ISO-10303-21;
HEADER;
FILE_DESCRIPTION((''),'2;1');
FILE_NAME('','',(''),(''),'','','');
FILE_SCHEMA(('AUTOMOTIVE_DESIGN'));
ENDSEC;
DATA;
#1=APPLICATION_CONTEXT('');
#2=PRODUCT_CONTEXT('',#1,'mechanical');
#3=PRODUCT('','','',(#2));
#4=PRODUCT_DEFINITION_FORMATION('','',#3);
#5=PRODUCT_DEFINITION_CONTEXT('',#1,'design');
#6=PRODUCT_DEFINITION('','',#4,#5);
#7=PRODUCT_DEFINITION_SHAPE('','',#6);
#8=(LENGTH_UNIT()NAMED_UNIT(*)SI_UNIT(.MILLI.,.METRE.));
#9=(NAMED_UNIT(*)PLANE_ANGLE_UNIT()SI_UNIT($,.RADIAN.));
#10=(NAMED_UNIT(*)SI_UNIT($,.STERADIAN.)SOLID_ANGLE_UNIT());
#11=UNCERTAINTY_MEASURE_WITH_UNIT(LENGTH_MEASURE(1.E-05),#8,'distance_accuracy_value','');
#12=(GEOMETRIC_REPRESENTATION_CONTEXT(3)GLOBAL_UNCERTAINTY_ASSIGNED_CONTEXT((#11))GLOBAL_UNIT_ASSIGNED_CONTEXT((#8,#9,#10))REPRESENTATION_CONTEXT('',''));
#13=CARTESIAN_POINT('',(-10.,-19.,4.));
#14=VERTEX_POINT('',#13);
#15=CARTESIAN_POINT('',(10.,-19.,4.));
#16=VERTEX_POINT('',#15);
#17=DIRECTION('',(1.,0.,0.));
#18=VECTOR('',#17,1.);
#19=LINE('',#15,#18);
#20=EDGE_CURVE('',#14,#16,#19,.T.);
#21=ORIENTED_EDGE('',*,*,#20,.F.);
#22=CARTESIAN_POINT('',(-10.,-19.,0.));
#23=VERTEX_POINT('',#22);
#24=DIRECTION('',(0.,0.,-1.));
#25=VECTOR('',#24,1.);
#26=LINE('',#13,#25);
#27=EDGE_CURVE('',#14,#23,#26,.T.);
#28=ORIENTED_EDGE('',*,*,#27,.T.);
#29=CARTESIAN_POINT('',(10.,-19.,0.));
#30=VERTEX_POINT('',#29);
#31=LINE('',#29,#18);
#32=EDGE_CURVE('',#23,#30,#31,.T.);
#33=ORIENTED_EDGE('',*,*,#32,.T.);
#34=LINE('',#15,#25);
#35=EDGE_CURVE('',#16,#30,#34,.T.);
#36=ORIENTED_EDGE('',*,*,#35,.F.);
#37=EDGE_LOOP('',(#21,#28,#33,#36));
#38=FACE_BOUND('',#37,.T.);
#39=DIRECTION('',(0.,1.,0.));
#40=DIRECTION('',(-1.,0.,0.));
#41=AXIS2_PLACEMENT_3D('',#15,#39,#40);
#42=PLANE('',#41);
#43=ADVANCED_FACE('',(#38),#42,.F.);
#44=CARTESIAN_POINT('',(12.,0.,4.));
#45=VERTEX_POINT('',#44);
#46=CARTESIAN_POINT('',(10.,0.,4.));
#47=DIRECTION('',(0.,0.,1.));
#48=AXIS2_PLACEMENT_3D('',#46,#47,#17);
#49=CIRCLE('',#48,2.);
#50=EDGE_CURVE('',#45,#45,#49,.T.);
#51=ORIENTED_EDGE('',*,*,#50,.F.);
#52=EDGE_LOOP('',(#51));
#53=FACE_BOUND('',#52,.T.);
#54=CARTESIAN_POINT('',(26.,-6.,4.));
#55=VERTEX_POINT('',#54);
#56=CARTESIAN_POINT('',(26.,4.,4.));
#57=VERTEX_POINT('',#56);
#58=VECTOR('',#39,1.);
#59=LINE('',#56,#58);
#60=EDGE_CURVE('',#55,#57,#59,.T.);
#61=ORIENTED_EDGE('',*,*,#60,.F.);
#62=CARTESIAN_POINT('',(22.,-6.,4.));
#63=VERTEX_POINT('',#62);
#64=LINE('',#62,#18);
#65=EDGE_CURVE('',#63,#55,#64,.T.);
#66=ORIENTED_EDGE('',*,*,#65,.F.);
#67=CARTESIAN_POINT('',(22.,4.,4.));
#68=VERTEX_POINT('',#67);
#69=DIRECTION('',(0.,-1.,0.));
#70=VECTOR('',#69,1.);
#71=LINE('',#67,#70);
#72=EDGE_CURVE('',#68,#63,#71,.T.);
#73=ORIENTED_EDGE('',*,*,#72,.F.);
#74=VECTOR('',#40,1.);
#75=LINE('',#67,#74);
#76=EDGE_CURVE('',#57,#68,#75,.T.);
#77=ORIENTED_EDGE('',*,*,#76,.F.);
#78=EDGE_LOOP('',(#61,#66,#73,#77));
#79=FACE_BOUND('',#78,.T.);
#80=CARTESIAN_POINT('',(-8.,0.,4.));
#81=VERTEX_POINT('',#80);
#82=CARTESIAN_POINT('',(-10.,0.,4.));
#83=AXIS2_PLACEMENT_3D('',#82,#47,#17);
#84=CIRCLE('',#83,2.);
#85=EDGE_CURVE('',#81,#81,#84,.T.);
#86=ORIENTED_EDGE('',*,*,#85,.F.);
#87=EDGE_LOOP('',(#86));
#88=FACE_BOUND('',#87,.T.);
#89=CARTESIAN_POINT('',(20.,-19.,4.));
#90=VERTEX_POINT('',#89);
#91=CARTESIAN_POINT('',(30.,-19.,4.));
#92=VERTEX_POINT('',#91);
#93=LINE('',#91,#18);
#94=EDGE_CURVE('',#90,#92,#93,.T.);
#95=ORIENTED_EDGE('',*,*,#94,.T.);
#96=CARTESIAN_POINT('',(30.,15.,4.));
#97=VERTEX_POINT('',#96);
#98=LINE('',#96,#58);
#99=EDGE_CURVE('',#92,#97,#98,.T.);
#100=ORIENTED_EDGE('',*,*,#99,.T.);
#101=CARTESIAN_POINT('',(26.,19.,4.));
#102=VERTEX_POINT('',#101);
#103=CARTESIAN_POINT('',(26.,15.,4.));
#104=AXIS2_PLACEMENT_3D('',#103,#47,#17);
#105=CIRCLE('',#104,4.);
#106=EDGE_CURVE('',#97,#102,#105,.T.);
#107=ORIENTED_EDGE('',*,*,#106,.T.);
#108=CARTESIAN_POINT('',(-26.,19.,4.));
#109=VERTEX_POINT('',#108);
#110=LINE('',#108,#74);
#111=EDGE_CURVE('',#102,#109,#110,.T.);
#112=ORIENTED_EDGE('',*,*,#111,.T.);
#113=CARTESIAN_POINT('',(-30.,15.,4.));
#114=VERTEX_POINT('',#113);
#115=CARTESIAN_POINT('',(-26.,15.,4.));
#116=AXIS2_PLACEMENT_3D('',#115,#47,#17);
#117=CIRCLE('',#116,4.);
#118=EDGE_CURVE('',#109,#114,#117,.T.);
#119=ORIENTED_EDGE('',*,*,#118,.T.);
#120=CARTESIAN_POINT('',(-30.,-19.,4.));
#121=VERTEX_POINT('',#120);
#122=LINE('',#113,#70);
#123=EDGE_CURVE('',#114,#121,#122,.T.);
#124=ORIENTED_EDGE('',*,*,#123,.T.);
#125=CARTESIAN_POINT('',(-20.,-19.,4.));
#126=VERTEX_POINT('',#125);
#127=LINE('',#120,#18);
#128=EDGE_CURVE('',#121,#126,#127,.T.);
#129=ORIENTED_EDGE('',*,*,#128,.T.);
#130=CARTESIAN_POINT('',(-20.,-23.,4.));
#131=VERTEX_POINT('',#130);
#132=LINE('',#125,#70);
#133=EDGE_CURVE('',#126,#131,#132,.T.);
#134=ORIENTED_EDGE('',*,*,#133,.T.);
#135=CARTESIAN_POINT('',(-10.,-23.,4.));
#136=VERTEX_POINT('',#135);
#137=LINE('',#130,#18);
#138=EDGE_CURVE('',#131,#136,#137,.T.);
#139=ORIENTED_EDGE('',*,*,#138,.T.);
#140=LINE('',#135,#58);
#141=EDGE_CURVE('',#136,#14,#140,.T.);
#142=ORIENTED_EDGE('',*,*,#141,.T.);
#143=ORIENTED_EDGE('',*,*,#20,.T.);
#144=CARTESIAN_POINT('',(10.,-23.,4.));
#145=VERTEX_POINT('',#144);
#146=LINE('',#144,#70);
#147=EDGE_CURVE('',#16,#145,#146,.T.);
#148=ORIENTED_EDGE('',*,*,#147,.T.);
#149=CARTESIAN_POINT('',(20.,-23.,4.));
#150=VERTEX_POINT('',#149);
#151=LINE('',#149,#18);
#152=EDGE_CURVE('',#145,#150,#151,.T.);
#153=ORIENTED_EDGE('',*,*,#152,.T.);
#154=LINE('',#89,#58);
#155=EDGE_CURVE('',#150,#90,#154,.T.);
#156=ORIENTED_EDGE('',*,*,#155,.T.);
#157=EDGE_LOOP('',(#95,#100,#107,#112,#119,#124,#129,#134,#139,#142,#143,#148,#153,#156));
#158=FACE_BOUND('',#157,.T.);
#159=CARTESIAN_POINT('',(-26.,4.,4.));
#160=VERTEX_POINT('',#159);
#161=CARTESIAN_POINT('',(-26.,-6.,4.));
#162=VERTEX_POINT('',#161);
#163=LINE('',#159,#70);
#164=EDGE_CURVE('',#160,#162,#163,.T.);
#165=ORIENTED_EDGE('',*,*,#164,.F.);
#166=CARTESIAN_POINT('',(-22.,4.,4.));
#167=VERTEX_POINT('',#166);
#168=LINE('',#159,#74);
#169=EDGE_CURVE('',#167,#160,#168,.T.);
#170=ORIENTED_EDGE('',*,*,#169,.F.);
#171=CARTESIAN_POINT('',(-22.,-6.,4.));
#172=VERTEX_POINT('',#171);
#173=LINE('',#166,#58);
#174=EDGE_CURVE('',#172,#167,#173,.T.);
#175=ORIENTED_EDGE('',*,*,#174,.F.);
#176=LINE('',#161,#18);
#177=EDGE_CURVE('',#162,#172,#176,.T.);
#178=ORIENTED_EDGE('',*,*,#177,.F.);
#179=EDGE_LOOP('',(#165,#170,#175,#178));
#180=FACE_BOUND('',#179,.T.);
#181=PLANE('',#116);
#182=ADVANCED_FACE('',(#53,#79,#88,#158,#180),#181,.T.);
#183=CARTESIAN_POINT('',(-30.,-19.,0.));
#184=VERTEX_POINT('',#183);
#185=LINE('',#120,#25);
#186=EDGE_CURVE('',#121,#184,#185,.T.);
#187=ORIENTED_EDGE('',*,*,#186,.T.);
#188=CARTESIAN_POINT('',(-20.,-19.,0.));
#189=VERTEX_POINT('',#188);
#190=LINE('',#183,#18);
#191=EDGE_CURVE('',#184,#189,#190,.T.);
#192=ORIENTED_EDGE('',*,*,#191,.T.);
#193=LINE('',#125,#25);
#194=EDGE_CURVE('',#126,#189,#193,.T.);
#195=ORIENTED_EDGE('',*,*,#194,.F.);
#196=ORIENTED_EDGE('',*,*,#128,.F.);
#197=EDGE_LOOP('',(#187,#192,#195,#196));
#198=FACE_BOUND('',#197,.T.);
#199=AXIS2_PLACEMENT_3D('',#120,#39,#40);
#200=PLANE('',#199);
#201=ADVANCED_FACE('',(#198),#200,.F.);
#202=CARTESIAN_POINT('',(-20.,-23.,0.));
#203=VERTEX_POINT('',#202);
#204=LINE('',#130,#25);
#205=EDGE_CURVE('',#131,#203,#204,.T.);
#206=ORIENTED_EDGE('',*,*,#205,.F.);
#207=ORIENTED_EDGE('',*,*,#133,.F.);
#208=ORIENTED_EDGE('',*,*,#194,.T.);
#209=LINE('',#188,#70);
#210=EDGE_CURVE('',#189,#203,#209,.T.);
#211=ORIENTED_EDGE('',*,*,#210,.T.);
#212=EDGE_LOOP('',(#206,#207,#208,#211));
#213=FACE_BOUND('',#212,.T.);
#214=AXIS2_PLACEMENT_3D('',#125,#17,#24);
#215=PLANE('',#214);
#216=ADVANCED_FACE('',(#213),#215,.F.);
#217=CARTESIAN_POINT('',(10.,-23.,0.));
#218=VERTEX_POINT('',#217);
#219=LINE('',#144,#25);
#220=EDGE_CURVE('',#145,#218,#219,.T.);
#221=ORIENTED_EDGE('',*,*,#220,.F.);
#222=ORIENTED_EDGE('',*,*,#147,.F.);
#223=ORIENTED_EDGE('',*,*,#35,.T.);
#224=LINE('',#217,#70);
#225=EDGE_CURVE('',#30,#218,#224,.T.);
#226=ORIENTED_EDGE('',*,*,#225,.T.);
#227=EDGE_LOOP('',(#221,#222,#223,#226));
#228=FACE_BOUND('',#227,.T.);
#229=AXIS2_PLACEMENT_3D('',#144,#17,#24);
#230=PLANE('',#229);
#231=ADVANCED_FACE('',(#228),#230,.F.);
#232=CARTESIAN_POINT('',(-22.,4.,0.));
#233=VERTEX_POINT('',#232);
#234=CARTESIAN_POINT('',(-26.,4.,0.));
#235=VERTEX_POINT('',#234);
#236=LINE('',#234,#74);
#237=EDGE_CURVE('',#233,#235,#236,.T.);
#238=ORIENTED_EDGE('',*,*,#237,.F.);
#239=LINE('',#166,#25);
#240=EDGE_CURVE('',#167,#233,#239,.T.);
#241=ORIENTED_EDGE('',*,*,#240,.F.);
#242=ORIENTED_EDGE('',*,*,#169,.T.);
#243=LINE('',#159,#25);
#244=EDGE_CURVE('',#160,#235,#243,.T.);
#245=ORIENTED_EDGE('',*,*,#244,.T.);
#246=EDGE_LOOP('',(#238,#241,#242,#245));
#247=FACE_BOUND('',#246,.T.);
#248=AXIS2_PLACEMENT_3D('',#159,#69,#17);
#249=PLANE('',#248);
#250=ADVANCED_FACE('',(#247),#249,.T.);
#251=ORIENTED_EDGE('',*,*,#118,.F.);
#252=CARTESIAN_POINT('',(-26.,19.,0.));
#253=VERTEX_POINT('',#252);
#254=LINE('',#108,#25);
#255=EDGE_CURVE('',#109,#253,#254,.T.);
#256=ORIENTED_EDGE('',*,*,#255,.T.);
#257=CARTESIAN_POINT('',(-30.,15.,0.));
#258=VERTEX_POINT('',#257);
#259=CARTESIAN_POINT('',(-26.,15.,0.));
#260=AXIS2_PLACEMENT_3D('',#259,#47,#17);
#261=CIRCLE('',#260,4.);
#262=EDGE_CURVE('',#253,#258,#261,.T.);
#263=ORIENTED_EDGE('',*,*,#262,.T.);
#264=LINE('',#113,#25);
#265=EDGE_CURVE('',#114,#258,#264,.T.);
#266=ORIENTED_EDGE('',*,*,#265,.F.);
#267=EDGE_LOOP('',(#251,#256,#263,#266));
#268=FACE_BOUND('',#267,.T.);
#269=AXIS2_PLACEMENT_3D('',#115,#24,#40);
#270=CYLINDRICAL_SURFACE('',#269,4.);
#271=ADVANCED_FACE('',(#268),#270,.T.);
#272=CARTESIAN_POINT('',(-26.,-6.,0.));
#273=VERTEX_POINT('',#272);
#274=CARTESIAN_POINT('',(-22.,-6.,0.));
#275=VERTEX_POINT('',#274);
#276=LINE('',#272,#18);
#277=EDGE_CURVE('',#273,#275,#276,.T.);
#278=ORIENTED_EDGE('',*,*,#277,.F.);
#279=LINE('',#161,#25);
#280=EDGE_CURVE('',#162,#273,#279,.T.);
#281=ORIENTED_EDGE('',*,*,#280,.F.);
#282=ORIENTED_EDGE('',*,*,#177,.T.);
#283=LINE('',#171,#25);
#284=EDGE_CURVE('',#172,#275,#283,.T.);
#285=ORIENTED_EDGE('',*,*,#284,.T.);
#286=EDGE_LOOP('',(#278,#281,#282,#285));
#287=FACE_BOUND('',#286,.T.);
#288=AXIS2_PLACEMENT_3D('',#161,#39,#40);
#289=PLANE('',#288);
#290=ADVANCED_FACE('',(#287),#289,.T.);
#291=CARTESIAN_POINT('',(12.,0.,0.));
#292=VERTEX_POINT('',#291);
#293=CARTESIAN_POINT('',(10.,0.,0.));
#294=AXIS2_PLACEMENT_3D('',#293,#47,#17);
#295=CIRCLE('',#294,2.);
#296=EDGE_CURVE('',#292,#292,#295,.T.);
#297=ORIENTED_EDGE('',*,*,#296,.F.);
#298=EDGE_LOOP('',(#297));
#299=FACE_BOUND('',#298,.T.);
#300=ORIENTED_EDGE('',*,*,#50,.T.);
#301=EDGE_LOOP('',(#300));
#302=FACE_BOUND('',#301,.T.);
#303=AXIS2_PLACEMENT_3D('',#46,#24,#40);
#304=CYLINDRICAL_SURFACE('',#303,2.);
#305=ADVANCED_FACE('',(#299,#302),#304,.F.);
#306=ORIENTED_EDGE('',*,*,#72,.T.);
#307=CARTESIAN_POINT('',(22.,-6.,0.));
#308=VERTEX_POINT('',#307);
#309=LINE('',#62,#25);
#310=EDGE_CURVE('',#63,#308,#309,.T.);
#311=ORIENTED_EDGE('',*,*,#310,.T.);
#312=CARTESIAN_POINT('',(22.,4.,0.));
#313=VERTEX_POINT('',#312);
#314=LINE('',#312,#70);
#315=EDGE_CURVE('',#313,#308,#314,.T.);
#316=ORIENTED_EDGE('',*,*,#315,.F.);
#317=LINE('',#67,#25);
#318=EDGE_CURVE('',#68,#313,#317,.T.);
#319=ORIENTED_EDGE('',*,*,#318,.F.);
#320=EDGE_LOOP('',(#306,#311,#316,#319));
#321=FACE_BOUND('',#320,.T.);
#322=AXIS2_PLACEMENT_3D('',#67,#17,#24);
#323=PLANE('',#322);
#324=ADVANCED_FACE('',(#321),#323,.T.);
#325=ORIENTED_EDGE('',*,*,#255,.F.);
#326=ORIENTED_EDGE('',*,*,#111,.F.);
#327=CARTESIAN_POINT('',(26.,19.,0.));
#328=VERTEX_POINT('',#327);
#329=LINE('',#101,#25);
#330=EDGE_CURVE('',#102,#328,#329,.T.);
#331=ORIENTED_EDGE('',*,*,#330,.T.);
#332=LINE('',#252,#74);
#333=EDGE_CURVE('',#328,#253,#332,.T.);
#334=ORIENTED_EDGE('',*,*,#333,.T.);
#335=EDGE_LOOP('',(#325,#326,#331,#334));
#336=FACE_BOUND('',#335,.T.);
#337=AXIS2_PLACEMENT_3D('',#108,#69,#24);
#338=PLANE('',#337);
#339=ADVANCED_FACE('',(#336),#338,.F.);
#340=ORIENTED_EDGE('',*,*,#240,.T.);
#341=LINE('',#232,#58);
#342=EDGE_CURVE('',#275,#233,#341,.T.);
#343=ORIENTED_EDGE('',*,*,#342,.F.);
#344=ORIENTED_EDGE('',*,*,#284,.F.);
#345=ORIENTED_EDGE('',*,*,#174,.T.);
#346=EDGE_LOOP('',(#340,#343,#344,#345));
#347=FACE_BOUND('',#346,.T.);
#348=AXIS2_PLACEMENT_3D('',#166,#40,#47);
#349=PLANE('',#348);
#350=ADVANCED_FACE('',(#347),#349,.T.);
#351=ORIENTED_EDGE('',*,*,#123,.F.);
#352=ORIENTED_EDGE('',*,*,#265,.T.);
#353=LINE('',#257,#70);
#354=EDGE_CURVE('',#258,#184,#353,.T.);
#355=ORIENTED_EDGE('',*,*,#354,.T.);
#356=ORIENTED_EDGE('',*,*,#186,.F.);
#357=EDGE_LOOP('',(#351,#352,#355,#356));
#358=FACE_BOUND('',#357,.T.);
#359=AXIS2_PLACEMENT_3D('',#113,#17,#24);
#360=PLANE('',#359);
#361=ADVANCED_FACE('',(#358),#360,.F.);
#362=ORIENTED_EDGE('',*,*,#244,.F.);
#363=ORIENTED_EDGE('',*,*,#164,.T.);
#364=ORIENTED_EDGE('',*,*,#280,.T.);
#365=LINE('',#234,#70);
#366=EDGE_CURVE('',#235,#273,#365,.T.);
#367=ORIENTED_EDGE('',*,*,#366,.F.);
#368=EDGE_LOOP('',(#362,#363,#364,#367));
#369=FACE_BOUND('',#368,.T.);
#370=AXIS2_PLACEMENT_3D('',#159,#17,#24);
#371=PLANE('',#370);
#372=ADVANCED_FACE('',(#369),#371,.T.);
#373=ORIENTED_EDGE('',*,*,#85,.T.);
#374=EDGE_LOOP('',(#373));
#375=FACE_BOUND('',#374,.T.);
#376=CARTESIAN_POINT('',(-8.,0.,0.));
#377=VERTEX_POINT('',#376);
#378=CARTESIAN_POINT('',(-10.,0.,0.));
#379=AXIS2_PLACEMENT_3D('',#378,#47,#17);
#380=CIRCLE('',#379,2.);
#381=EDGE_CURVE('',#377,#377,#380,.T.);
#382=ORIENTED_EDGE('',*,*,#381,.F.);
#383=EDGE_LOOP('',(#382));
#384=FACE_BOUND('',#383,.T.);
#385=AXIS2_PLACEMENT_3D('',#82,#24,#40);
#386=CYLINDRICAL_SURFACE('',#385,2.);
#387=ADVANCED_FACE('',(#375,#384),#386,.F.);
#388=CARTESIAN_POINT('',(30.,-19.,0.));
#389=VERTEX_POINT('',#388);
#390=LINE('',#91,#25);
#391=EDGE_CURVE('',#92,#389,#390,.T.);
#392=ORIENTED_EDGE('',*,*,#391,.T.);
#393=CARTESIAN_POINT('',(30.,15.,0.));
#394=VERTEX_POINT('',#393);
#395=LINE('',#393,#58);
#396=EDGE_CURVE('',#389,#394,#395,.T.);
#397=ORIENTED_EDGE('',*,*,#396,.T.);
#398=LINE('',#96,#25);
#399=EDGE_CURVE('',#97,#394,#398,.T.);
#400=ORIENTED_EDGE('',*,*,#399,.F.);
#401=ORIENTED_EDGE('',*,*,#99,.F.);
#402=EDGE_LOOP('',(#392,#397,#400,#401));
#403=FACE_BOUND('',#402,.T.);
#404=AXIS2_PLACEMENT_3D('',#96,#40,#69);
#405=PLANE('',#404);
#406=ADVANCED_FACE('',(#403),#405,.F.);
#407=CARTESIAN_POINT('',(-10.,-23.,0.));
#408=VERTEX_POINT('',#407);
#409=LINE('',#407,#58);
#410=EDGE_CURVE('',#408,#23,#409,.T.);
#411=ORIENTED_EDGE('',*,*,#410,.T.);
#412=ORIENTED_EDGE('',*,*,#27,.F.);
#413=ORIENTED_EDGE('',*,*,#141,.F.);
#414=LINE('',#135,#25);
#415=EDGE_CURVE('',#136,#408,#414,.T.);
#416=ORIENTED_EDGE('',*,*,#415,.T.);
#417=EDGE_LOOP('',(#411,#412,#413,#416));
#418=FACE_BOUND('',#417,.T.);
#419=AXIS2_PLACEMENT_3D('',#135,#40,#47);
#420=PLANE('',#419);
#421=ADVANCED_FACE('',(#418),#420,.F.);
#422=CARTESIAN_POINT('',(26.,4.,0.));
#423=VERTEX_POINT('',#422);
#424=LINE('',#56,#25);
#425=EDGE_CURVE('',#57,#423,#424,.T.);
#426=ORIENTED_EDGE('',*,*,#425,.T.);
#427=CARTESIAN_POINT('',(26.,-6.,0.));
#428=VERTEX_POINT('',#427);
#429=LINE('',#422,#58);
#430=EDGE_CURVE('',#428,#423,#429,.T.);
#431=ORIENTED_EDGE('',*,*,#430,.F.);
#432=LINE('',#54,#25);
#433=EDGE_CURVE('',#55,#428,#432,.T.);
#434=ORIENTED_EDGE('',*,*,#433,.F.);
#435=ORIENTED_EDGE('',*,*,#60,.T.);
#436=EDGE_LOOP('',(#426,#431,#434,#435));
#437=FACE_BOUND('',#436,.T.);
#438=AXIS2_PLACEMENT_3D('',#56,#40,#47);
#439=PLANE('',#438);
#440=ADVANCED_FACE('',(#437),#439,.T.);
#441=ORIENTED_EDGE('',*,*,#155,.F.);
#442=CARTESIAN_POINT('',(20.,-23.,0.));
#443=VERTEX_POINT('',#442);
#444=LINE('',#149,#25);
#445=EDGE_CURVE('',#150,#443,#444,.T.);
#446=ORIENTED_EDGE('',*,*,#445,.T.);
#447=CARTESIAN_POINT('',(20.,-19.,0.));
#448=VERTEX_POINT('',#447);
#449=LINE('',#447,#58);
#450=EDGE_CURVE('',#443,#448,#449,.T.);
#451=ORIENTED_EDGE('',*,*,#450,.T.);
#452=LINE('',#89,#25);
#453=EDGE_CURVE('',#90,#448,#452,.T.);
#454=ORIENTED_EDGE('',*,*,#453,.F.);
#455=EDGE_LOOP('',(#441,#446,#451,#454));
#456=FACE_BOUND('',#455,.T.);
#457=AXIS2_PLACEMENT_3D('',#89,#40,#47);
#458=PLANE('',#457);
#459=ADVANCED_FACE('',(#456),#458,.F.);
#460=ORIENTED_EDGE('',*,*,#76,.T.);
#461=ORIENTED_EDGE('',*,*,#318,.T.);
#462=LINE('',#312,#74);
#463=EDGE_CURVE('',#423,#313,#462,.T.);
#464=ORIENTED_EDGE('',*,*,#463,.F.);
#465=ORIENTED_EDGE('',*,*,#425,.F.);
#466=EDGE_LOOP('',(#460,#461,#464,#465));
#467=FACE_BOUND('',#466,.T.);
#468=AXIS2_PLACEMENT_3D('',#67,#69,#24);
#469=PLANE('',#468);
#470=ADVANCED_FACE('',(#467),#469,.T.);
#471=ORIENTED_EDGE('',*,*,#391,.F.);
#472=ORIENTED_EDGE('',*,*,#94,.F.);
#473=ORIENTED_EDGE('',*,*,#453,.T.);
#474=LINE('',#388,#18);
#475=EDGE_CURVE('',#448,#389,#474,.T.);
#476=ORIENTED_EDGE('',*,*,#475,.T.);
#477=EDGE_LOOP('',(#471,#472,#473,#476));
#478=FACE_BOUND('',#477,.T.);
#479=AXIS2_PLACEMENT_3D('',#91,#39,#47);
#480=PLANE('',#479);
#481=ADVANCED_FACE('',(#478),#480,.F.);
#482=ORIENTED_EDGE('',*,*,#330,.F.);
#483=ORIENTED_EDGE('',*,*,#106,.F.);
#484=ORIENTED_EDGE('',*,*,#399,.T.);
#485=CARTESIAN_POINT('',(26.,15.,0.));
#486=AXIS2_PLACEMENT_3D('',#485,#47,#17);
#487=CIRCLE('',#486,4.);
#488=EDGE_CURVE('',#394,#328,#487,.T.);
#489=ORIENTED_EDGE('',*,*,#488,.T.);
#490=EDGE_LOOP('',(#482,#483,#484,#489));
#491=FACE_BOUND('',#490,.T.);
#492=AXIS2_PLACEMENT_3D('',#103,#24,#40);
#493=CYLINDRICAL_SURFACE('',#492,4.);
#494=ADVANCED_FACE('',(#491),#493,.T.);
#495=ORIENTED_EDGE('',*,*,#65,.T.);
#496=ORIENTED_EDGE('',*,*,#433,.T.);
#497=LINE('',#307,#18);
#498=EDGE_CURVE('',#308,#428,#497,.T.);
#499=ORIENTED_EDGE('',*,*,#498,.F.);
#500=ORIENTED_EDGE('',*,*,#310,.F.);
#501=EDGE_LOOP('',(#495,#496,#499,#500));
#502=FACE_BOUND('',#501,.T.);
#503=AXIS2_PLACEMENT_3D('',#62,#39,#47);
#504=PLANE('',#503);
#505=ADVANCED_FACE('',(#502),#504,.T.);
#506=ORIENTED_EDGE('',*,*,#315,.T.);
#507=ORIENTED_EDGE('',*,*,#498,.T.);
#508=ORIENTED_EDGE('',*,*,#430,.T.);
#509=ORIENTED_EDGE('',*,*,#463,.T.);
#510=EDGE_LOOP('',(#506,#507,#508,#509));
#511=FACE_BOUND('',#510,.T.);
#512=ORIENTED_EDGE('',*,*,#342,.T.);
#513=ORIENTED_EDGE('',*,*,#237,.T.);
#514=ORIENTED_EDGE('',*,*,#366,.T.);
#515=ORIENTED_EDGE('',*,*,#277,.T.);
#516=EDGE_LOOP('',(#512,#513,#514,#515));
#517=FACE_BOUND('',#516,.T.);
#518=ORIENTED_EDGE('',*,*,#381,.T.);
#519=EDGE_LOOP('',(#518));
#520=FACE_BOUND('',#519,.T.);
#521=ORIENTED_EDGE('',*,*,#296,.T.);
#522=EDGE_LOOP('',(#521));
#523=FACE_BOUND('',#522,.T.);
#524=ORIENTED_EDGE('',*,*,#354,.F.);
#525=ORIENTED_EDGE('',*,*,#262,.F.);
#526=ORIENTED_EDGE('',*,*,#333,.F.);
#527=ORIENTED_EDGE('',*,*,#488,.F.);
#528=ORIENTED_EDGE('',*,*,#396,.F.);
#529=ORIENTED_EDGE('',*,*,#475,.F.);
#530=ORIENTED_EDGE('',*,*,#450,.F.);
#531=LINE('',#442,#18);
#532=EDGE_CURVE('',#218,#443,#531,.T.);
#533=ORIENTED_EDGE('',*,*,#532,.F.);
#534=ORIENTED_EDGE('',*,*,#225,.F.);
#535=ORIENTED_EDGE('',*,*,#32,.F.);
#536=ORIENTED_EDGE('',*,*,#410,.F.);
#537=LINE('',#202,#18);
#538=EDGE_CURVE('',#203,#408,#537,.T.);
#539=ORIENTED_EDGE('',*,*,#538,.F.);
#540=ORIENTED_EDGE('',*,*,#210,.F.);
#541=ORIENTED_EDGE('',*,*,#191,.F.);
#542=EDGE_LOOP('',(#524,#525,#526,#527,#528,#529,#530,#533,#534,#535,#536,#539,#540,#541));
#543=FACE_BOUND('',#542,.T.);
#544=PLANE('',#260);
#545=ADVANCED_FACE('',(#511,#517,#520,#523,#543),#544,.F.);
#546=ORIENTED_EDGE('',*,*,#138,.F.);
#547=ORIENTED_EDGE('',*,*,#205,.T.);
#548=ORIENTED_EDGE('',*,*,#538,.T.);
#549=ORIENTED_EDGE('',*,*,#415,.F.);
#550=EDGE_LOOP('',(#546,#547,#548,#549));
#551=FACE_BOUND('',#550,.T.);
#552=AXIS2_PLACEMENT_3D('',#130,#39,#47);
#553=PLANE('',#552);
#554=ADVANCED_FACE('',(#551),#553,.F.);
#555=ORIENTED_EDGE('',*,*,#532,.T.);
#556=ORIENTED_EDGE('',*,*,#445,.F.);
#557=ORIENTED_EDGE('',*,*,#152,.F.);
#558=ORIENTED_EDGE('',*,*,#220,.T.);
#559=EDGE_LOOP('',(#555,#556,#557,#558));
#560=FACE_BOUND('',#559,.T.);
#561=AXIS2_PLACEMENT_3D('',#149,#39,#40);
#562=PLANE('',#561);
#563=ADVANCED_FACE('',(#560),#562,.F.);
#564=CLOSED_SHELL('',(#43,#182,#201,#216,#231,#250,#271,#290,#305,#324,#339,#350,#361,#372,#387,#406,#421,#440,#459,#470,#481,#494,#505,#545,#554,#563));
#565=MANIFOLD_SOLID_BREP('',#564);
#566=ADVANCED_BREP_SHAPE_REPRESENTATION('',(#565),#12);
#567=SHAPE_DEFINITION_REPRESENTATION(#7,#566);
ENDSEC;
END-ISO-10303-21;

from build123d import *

# Parameters (mm, degrees)
SKETCH1_R           = 2
SKETCH1_W           = 4
SKETCH1_H           = 10
BOSS_EXTRUDE1_DEPTH = 4


with BuildPart() as part:
    # Sketch1 → Boss-Extrude1 (new body)
    with BuildSketch(Plane.XY):
        with BuildLine():
            Line((-30, -19), (-20, -19))
            Line((-20, -19), (-20, -23))
            Line((-20, -23), (-10, -23))
            Line((-10, -23), (-10, -19))
            Line((-10, -19), (10, -19))
            Line((10, -19), (10, -23))
            Line((10, -23), (20, -23))
            Line((20, -23), (20, -19))
            Line((20, -19), (30, -19))
            Line((30, -19), (30, 15))
            ThreePointArc((30, 15), (28.828427125, 17.828427125), (26, 19))
            Line((26, 19), (-26, 19))
            ThreePointArc((-26, 19), (-28.828427125, 17.828427125), (-30, 15))
            Line((-30, 15), (-30, -19))
        make_face()
        with Locations((-10, 0)):
            Circle(SKETCH1_R, mode=Mode.SUBTRACT)
        with Locations((10, 0)):
            Circle(SKETCH1_R, mode=Mode.SUBTRACT)
        with Locations((-24, -1)):
            Rectangle(SKETCH1_W, SKETCH1_H, mode=Mode.SUBTRACT)
        with Locations((24, -1)):
            Rectangle(SKETCH1_W, SKETCH1_H, mode=Mode.SUBTRACT)
    extrude(amount=BOSS_EXTRUDE1_DEPTH)


solid = part.part
